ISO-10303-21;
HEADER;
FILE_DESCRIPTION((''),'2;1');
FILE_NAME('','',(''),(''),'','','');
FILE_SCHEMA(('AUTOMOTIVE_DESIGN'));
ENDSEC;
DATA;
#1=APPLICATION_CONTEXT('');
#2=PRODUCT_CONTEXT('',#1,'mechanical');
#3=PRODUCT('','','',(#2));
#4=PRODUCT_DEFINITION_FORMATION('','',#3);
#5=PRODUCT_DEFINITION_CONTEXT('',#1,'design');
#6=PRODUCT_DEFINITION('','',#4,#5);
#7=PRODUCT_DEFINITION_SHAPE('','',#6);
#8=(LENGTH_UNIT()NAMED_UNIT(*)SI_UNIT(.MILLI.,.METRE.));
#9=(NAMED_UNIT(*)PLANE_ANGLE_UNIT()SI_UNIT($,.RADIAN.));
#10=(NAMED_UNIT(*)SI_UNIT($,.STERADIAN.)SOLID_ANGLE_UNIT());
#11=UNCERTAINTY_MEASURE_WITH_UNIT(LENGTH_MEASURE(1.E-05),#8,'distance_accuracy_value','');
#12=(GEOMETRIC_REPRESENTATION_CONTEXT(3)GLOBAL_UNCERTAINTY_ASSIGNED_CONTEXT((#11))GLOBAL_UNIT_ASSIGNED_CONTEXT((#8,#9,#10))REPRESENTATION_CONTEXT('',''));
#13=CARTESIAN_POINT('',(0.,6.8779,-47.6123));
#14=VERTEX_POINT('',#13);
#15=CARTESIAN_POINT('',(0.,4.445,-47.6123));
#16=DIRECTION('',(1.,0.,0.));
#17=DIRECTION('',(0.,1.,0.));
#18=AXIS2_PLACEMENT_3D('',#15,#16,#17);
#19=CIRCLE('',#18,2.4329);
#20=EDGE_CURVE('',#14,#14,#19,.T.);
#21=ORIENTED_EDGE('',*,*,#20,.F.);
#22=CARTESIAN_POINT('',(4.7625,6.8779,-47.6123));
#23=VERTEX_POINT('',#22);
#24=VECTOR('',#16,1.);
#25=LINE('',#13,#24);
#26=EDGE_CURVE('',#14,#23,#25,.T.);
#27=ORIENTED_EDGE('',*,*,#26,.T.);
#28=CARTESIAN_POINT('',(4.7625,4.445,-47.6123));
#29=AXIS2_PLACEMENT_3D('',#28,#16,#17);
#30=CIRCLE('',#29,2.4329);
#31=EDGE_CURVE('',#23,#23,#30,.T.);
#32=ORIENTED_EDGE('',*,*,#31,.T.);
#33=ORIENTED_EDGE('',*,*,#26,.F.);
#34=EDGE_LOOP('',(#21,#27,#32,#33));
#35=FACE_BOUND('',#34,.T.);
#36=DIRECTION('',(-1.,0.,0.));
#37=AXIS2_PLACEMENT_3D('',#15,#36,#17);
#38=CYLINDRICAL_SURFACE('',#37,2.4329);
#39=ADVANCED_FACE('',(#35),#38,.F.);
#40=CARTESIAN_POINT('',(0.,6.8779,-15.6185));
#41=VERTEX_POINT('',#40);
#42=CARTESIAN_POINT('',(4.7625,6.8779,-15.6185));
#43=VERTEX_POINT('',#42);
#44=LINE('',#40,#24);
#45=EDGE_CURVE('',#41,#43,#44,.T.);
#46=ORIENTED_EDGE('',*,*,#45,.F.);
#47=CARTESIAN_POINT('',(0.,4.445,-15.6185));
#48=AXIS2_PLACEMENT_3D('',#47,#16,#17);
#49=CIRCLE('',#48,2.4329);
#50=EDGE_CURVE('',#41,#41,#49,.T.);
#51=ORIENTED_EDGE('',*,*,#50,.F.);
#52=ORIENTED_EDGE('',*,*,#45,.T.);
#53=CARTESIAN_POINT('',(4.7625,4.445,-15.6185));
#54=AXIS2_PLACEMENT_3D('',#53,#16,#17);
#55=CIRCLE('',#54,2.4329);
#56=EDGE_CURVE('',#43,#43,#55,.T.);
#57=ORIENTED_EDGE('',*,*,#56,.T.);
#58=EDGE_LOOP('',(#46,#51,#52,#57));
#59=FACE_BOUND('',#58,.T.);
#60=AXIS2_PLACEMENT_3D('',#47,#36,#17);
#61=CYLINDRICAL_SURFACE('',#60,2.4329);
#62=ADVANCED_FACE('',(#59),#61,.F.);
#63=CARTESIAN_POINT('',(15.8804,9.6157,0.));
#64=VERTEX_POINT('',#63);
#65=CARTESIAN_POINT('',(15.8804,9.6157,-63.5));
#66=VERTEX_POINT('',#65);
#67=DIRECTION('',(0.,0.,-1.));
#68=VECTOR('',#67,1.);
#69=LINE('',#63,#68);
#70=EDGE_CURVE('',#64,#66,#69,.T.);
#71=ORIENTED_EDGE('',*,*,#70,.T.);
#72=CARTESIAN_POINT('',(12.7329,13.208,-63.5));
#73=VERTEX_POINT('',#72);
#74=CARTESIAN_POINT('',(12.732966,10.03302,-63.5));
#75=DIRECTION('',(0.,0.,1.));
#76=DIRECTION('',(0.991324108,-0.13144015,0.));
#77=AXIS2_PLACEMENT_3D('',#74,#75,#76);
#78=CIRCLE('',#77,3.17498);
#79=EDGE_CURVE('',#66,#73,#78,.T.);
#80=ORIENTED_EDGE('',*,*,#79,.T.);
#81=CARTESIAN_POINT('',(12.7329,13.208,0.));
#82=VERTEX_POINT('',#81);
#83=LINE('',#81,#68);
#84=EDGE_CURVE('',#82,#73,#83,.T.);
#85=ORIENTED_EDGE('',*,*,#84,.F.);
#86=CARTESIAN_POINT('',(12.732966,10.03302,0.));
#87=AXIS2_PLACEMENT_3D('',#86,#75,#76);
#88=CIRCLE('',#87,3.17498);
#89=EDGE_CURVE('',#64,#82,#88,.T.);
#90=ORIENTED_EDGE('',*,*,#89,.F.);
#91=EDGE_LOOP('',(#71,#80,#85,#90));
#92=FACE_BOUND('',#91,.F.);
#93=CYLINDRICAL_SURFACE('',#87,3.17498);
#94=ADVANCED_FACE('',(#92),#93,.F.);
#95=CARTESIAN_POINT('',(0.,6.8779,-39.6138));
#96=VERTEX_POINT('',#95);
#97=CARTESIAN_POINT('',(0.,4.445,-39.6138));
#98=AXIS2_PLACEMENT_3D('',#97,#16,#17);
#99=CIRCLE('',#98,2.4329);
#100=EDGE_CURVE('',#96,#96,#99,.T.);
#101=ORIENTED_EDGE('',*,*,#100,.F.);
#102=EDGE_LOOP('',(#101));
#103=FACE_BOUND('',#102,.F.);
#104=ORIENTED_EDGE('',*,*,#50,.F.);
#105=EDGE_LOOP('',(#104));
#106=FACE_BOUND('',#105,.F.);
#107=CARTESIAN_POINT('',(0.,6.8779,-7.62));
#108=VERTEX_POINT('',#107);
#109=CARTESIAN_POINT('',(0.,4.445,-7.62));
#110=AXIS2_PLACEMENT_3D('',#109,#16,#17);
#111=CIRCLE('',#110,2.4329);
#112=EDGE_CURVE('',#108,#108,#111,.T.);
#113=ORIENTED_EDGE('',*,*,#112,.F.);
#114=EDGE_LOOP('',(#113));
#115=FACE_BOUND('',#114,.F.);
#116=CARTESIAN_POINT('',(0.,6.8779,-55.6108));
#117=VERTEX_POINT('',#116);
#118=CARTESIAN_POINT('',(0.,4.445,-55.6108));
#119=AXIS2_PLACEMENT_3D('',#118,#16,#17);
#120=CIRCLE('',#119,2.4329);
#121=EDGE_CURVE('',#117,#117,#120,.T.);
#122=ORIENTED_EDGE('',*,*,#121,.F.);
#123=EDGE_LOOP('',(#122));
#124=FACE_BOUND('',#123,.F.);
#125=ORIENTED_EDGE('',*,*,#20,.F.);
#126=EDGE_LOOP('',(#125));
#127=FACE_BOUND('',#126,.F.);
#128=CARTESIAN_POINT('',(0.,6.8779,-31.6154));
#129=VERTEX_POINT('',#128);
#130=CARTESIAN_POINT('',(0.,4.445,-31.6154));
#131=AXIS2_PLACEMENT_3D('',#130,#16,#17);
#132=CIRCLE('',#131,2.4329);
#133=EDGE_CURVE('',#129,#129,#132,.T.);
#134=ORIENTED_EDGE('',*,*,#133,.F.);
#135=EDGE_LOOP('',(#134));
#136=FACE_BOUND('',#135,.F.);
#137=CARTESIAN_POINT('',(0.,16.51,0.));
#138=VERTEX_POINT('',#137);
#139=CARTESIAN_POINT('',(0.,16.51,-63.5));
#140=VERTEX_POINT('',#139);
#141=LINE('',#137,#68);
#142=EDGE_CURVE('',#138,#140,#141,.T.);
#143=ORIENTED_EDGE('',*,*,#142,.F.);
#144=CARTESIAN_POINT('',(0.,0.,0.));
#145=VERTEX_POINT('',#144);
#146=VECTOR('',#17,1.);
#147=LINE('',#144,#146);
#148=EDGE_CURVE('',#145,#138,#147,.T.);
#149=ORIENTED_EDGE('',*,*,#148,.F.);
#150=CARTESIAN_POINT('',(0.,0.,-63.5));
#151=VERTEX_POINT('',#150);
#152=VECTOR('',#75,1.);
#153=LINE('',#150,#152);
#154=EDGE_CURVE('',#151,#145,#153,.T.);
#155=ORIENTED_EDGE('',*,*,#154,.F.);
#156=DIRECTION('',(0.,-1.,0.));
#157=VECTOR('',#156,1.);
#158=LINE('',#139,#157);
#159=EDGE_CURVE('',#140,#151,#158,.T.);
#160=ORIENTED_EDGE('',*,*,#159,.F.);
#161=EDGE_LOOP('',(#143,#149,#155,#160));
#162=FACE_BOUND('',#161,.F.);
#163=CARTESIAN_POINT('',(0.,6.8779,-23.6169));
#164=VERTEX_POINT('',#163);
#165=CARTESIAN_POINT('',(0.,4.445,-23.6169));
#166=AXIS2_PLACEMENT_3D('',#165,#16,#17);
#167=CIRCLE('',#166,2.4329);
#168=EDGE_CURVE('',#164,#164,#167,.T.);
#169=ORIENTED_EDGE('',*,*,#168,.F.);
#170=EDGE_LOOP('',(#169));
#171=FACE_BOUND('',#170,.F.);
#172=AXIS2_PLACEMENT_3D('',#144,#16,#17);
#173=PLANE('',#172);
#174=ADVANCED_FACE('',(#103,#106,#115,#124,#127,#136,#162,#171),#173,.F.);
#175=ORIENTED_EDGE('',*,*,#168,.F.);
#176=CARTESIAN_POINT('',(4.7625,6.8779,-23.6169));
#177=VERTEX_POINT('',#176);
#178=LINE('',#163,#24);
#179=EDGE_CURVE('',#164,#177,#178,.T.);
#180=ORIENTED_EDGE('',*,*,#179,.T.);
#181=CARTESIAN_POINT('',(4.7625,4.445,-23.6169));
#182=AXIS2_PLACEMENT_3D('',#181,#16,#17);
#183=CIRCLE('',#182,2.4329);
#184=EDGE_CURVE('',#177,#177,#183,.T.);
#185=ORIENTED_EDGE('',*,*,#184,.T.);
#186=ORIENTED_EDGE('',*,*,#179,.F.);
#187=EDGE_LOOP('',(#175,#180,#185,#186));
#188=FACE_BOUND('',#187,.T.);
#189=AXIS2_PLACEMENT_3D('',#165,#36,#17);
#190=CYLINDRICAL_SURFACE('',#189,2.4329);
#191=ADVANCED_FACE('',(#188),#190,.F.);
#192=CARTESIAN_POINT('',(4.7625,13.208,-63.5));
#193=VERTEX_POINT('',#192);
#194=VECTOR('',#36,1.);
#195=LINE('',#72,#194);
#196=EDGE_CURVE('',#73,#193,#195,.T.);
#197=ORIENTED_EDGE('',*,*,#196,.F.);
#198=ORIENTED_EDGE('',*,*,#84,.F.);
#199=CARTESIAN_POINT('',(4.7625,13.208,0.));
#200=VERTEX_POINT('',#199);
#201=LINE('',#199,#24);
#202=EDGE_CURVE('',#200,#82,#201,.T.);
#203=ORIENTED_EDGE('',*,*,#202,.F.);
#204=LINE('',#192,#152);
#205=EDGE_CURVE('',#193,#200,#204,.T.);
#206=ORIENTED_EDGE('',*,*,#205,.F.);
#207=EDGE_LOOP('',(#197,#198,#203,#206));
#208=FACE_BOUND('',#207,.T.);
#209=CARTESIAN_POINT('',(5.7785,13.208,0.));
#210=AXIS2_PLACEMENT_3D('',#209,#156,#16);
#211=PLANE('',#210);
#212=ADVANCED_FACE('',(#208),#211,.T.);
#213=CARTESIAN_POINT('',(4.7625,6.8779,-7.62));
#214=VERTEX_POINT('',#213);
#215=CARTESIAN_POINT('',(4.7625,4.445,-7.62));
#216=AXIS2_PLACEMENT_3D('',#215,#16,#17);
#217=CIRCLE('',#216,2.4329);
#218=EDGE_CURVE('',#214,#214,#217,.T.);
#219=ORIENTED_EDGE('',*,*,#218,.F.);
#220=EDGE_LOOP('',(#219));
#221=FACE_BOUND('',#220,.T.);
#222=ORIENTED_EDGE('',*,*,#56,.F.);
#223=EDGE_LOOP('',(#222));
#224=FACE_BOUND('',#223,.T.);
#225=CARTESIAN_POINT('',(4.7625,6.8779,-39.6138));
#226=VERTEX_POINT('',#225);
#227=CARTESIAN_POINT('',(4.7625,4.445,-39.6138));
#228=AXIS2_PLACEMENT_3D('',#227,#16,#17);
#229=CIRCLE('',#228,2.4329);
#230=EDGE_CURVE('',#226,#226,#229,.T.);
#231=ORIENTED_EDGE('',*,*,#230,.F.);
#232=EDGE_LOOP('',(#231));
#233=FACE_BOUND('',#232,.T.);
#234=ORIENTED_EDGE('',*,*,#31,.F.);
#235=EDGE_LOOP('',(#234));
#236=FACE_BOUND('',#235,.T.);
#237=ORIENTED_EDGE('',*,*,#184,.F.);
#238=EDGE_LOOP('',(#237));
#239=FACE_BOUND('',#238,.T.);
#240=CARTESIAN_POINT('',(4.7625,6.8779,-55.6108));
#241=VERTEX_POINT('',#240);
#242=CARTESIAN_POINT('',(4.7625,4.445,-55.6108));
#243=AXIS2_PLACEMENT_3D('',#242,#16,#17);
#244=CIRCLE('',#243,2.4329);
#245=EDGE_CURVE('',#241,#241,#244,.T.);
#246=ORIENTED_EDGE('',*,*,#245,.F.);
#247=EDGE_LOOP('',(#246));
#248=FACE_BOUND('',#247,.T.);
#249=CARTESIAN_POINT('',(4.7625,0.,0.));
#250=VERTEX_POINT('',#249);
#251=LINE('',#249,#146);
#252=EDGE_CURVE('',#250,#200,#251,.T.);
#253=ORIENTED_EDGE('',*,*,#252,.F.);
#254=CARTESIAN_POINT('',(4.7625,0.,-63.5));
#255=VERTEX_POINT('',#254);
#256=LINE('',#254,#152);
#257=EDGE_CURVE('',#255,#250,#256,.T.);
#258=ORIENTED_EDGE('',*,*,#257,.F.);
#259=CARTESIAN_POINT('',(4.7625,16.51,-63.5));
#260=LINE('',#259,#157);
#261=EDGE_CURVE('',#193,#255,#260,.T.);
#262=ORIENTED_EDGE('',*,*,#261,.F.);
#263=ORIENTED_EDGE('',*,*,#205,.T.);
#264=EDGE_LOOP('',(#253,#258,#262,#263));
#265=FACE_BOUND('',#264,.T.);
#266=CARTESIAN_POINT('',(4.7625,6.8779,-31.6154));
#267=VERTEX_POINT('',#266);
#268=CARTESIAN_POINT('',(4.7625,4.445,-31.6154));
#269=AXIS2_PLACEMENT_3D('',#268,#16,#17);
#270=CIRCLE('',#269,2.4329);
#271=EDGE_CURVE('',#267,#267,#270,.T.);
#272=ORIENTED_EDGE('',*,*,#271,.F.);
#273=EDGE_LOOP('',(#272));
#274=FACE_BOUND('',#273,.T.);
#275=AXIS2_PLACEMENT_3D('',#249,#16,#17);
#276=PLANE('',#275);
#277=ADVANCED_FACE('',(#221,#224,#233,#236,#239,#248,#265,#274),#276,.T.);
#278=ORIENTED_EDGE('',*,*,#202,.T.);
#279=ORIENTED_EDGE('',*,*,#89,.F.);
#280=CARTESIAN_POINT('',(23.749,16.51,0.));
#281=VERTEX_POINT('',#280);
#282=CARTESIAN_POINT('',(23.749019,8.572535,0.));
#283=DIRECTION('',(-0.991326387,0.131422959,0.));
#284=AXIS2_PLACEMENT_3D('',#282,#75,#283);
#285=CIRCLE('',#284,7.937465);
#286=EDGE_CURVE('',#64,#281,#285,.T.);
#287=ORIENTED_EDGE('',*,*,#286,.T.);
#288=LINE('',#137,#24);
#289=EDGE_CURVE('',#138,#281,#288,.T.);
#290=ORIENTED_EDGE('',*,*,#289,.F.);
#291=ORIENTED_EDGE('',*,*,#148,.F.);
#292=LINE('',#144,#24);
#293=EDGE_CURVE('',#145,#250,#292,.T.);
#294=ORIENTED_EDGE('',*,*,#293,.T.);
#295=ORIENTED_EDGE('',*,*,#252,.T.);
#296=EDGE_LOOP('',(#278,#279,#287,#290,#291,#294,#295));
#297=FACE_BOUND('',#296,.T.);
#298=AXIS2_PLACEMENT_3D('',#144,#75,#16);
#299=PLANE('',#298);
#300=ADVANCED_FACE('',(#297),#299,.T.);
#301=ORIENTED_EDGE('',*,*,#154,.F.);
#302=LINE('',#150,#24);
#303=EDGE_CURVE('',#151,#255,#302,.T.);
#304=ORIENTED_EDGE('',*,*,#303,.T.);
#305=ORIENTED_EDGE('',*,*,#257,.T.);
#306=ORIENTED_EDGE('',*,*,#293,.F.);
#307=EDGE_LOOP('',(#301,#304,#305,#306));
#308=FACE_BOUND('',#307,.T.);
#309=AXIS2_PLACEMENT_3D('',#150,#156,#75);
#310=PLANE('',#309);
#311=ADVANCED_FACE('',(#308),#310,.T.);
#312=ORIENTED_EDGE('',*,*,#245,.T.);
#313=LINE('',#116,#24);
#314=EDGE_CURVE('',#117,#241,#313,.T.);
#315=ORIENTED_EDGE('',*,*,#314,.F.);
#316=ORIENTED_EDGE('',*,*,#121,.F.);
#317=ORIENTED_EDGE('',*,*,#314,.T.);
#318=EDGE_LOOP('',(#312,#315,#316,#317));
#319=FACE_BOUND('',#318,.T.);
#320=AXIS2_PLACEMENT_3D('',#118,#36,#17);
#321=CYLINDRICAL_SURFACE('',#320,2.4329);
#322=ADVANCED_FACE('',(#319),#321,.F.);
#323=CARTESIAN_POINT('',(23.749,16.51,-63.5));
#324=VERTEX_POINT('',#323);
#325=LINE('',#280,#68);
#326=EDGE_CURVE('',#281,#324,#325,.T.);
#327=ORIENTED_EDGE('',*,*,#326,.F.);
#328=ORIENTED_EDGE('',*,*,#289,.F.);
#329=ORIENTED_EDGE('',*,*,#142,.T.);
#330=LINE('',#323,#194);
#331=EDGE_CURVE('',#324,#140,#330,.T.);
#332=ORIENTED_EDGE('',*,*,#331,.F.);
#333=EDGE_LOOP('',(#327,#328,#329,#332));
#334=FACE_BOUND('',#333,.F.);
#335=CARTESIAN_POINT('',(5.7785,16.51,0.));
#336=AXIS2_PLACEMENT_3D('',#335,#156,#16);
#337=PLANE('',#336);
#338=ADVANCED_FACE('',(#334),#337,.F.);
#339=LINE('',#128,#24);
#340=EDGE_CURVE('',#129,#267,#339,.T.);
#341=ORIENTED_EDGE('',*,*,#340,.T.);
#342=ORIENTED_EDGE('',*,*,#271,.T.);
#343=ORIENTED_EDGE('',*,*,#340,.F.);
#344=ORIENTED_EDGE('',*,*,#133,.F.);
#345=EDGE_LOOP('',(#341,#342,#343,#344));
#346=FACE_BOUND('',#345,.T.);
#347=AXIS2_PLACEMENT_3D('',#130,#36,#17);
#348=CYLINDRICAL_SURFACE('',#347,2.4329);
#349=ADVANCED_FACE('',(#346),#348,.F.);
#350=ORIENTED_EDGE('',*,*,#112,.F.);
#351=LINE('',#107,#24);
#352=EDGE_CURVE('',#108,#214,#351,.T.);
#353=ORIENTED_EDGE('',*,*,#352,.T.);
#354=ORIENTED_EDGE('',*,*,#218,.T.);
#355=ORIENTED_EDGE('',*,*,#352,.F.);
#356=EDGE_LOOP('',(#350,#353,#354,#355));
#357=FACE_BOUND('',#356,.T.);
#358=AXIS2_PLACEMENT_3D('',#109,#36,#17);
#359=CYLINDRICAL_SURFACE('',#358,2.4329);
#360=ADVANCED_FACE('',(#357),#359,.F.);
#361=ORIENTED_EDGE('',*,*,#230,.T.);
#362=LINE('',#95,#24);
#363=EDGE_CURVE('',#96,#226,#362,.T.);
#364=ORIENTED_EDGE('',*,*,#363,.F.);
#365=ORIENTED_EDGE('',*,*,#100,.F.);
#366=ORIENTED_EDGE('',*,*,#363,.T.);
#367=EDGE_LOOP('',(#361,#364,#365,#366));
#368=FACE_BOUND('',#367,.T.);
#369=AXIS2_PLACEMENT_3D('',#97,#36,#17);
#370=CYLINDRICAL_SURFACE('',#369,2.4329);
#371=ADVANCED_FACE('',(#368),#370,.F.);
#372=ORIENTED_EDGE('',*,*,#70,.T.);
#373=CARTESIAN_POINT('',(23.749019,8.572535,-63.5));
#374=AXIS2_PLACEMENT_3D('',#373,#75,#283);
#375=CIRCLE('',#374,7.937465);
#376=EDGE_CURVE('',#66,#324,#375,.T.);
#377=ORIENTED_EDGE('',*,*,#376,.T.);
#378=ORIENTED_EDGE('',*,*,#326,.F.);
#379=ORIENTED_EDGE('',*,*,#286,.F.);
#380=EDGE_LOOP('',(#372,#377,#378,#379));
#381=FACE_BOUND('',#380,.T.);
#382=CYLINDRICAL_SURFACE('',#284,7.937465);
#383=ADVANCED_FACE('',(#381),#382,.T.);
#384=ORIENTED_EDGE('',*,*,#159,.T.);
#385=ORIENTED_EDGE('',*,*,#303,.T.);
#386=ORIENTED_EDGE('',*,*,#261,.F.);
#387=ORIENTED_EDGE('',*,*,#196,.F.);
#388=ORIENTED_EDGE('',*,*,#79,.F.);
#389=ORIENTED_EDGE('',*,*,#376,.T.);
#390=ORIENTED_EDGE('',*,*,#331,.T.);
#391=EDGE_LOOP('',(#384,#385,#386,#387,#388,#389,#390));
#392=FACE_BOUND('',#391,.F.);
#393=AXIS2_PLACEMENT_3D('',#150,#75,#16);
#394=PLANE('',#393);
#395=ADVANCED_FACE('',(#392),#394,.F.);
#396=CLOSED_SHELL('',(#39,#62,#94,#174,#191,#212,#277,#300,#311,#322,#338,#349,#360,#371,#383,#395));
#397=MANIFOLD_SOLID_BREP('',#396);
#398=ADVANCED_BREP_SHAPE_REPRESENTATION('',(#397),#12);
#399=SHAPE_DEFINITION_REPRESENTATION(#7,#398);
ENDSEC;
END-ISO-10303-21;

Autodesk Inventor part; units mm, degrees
ref_plane "YZ Plane" through (0, 0, 0) normal (1, 0, 0) x (0, 1, 0)
ref_plane "XZ Plane" through (0, 0, 0) normal (0, 1, 0) x (-1, 0, 0)
ref_plane "XY Plane" through (0, 0, 0) normal (0, 0, 1) x (1, 0, 0)
sketch "Sketch1" plane through (0, 0, 0) normal (1, 0, 0) x (0, 1, 0)
  line L0 (0, 0) -> (16.51, 0)
  line L1 (16.51, 0) -> (16.51, -63.5)
  line L2 (16.51, -63.5) -> (0, -63.5)
  line L3 (0, -63.5) -> (0, 0)
  circle A0 centre (4.445, -7.62) radius 2.4329
  circle A1 centre (4.445, -15.6185) radius 2.4329
  circle A2 centre (4.445, -23.6169) radius 2.4329
  circle A3 centre (4.445, -31.6154) radius 2.4329
  circle A4 centre (4.445, -39.6138) radius 2.4329
  circle A5 centre (4.445, -47.6123) radius 2.4329
  circle A6 centre (4.445, -55.6108) radius 2.4329
  dimension "d0" = 63.5
  dimension "d1" = 16.51
  dimension "d6" = 7.9985
  dimension "d11" = 7.62
extrude "Extrusion1" add sketch "Sketch1" along normal blind 4.7625
sketch "Sketch2" plane through (4.7625, 0, 0) normal (1, 0, 0) x (0, 0, -1)
  line L0 (63.5, 16.51) -> (0, 16.51) projected
  line L1 (63.5, 0) -> (63.5, 16.51) projected
  line L2 (0, 16.51) -> (63.5, 16.51)
  line L3 (63.5, 16.51) -> (63.5, 13.208)
  line L4 (63.5, 13.208) -> (0, 13.208)
  line L5 (0, 13.208) -> (0, 16.51)
  point P0 (0, 0)
  dimension "d14" = 3.302
extrude "Extrusion2" add sketch "Sketch2" along normal blind 1.016
sketch "Sketch3" plane through (0, 0, 0) normal (0, 0, 1) x (1, 0, 0)
  line L0 (5.7785, 16.51) -> (5.7785, 13.208) projected
  arc A0 (15.8804, 9.6157) -> (23.749, 16.51) centre (23.749, 8.5725) ccw
  line L1 (0, 16.51) -> (0, 0) projected
  line L2 (5.7785, 16.51) -> (23.749, 16.51)
  line L3 (4.7625, 13.208) -> (5.7785, 13.208) projected
  line L4 (5.7785, 13.208) -> (12.7329, 13.208)
  arc A1 (15.8804, 9.6157) -> (12.7329, 13.208) centre (12.7329, 10.033) ccw
  point P0 (17.3057, 13.208)
  point P1 (9.5258, 13.208)
  dimension "d17" = 23.749
  dimension "d18" = 15.875
  dimension "d19" = 3.175
extrude "Extrusion3" add sketch "Sketch3" against normal blind 63.5
sketch "Sketch4" plane through (0, 16.51, 0) normal (0, 1, 0) x (1, 0, 0)
  line L0 (31.6865, 0) -> (31.6865, 63.5) projected
  line L1 (31.6865, 0) -> (31.6865, 83.2403)
  point P0 (0, 0)
properties part number "knuckle plate"
